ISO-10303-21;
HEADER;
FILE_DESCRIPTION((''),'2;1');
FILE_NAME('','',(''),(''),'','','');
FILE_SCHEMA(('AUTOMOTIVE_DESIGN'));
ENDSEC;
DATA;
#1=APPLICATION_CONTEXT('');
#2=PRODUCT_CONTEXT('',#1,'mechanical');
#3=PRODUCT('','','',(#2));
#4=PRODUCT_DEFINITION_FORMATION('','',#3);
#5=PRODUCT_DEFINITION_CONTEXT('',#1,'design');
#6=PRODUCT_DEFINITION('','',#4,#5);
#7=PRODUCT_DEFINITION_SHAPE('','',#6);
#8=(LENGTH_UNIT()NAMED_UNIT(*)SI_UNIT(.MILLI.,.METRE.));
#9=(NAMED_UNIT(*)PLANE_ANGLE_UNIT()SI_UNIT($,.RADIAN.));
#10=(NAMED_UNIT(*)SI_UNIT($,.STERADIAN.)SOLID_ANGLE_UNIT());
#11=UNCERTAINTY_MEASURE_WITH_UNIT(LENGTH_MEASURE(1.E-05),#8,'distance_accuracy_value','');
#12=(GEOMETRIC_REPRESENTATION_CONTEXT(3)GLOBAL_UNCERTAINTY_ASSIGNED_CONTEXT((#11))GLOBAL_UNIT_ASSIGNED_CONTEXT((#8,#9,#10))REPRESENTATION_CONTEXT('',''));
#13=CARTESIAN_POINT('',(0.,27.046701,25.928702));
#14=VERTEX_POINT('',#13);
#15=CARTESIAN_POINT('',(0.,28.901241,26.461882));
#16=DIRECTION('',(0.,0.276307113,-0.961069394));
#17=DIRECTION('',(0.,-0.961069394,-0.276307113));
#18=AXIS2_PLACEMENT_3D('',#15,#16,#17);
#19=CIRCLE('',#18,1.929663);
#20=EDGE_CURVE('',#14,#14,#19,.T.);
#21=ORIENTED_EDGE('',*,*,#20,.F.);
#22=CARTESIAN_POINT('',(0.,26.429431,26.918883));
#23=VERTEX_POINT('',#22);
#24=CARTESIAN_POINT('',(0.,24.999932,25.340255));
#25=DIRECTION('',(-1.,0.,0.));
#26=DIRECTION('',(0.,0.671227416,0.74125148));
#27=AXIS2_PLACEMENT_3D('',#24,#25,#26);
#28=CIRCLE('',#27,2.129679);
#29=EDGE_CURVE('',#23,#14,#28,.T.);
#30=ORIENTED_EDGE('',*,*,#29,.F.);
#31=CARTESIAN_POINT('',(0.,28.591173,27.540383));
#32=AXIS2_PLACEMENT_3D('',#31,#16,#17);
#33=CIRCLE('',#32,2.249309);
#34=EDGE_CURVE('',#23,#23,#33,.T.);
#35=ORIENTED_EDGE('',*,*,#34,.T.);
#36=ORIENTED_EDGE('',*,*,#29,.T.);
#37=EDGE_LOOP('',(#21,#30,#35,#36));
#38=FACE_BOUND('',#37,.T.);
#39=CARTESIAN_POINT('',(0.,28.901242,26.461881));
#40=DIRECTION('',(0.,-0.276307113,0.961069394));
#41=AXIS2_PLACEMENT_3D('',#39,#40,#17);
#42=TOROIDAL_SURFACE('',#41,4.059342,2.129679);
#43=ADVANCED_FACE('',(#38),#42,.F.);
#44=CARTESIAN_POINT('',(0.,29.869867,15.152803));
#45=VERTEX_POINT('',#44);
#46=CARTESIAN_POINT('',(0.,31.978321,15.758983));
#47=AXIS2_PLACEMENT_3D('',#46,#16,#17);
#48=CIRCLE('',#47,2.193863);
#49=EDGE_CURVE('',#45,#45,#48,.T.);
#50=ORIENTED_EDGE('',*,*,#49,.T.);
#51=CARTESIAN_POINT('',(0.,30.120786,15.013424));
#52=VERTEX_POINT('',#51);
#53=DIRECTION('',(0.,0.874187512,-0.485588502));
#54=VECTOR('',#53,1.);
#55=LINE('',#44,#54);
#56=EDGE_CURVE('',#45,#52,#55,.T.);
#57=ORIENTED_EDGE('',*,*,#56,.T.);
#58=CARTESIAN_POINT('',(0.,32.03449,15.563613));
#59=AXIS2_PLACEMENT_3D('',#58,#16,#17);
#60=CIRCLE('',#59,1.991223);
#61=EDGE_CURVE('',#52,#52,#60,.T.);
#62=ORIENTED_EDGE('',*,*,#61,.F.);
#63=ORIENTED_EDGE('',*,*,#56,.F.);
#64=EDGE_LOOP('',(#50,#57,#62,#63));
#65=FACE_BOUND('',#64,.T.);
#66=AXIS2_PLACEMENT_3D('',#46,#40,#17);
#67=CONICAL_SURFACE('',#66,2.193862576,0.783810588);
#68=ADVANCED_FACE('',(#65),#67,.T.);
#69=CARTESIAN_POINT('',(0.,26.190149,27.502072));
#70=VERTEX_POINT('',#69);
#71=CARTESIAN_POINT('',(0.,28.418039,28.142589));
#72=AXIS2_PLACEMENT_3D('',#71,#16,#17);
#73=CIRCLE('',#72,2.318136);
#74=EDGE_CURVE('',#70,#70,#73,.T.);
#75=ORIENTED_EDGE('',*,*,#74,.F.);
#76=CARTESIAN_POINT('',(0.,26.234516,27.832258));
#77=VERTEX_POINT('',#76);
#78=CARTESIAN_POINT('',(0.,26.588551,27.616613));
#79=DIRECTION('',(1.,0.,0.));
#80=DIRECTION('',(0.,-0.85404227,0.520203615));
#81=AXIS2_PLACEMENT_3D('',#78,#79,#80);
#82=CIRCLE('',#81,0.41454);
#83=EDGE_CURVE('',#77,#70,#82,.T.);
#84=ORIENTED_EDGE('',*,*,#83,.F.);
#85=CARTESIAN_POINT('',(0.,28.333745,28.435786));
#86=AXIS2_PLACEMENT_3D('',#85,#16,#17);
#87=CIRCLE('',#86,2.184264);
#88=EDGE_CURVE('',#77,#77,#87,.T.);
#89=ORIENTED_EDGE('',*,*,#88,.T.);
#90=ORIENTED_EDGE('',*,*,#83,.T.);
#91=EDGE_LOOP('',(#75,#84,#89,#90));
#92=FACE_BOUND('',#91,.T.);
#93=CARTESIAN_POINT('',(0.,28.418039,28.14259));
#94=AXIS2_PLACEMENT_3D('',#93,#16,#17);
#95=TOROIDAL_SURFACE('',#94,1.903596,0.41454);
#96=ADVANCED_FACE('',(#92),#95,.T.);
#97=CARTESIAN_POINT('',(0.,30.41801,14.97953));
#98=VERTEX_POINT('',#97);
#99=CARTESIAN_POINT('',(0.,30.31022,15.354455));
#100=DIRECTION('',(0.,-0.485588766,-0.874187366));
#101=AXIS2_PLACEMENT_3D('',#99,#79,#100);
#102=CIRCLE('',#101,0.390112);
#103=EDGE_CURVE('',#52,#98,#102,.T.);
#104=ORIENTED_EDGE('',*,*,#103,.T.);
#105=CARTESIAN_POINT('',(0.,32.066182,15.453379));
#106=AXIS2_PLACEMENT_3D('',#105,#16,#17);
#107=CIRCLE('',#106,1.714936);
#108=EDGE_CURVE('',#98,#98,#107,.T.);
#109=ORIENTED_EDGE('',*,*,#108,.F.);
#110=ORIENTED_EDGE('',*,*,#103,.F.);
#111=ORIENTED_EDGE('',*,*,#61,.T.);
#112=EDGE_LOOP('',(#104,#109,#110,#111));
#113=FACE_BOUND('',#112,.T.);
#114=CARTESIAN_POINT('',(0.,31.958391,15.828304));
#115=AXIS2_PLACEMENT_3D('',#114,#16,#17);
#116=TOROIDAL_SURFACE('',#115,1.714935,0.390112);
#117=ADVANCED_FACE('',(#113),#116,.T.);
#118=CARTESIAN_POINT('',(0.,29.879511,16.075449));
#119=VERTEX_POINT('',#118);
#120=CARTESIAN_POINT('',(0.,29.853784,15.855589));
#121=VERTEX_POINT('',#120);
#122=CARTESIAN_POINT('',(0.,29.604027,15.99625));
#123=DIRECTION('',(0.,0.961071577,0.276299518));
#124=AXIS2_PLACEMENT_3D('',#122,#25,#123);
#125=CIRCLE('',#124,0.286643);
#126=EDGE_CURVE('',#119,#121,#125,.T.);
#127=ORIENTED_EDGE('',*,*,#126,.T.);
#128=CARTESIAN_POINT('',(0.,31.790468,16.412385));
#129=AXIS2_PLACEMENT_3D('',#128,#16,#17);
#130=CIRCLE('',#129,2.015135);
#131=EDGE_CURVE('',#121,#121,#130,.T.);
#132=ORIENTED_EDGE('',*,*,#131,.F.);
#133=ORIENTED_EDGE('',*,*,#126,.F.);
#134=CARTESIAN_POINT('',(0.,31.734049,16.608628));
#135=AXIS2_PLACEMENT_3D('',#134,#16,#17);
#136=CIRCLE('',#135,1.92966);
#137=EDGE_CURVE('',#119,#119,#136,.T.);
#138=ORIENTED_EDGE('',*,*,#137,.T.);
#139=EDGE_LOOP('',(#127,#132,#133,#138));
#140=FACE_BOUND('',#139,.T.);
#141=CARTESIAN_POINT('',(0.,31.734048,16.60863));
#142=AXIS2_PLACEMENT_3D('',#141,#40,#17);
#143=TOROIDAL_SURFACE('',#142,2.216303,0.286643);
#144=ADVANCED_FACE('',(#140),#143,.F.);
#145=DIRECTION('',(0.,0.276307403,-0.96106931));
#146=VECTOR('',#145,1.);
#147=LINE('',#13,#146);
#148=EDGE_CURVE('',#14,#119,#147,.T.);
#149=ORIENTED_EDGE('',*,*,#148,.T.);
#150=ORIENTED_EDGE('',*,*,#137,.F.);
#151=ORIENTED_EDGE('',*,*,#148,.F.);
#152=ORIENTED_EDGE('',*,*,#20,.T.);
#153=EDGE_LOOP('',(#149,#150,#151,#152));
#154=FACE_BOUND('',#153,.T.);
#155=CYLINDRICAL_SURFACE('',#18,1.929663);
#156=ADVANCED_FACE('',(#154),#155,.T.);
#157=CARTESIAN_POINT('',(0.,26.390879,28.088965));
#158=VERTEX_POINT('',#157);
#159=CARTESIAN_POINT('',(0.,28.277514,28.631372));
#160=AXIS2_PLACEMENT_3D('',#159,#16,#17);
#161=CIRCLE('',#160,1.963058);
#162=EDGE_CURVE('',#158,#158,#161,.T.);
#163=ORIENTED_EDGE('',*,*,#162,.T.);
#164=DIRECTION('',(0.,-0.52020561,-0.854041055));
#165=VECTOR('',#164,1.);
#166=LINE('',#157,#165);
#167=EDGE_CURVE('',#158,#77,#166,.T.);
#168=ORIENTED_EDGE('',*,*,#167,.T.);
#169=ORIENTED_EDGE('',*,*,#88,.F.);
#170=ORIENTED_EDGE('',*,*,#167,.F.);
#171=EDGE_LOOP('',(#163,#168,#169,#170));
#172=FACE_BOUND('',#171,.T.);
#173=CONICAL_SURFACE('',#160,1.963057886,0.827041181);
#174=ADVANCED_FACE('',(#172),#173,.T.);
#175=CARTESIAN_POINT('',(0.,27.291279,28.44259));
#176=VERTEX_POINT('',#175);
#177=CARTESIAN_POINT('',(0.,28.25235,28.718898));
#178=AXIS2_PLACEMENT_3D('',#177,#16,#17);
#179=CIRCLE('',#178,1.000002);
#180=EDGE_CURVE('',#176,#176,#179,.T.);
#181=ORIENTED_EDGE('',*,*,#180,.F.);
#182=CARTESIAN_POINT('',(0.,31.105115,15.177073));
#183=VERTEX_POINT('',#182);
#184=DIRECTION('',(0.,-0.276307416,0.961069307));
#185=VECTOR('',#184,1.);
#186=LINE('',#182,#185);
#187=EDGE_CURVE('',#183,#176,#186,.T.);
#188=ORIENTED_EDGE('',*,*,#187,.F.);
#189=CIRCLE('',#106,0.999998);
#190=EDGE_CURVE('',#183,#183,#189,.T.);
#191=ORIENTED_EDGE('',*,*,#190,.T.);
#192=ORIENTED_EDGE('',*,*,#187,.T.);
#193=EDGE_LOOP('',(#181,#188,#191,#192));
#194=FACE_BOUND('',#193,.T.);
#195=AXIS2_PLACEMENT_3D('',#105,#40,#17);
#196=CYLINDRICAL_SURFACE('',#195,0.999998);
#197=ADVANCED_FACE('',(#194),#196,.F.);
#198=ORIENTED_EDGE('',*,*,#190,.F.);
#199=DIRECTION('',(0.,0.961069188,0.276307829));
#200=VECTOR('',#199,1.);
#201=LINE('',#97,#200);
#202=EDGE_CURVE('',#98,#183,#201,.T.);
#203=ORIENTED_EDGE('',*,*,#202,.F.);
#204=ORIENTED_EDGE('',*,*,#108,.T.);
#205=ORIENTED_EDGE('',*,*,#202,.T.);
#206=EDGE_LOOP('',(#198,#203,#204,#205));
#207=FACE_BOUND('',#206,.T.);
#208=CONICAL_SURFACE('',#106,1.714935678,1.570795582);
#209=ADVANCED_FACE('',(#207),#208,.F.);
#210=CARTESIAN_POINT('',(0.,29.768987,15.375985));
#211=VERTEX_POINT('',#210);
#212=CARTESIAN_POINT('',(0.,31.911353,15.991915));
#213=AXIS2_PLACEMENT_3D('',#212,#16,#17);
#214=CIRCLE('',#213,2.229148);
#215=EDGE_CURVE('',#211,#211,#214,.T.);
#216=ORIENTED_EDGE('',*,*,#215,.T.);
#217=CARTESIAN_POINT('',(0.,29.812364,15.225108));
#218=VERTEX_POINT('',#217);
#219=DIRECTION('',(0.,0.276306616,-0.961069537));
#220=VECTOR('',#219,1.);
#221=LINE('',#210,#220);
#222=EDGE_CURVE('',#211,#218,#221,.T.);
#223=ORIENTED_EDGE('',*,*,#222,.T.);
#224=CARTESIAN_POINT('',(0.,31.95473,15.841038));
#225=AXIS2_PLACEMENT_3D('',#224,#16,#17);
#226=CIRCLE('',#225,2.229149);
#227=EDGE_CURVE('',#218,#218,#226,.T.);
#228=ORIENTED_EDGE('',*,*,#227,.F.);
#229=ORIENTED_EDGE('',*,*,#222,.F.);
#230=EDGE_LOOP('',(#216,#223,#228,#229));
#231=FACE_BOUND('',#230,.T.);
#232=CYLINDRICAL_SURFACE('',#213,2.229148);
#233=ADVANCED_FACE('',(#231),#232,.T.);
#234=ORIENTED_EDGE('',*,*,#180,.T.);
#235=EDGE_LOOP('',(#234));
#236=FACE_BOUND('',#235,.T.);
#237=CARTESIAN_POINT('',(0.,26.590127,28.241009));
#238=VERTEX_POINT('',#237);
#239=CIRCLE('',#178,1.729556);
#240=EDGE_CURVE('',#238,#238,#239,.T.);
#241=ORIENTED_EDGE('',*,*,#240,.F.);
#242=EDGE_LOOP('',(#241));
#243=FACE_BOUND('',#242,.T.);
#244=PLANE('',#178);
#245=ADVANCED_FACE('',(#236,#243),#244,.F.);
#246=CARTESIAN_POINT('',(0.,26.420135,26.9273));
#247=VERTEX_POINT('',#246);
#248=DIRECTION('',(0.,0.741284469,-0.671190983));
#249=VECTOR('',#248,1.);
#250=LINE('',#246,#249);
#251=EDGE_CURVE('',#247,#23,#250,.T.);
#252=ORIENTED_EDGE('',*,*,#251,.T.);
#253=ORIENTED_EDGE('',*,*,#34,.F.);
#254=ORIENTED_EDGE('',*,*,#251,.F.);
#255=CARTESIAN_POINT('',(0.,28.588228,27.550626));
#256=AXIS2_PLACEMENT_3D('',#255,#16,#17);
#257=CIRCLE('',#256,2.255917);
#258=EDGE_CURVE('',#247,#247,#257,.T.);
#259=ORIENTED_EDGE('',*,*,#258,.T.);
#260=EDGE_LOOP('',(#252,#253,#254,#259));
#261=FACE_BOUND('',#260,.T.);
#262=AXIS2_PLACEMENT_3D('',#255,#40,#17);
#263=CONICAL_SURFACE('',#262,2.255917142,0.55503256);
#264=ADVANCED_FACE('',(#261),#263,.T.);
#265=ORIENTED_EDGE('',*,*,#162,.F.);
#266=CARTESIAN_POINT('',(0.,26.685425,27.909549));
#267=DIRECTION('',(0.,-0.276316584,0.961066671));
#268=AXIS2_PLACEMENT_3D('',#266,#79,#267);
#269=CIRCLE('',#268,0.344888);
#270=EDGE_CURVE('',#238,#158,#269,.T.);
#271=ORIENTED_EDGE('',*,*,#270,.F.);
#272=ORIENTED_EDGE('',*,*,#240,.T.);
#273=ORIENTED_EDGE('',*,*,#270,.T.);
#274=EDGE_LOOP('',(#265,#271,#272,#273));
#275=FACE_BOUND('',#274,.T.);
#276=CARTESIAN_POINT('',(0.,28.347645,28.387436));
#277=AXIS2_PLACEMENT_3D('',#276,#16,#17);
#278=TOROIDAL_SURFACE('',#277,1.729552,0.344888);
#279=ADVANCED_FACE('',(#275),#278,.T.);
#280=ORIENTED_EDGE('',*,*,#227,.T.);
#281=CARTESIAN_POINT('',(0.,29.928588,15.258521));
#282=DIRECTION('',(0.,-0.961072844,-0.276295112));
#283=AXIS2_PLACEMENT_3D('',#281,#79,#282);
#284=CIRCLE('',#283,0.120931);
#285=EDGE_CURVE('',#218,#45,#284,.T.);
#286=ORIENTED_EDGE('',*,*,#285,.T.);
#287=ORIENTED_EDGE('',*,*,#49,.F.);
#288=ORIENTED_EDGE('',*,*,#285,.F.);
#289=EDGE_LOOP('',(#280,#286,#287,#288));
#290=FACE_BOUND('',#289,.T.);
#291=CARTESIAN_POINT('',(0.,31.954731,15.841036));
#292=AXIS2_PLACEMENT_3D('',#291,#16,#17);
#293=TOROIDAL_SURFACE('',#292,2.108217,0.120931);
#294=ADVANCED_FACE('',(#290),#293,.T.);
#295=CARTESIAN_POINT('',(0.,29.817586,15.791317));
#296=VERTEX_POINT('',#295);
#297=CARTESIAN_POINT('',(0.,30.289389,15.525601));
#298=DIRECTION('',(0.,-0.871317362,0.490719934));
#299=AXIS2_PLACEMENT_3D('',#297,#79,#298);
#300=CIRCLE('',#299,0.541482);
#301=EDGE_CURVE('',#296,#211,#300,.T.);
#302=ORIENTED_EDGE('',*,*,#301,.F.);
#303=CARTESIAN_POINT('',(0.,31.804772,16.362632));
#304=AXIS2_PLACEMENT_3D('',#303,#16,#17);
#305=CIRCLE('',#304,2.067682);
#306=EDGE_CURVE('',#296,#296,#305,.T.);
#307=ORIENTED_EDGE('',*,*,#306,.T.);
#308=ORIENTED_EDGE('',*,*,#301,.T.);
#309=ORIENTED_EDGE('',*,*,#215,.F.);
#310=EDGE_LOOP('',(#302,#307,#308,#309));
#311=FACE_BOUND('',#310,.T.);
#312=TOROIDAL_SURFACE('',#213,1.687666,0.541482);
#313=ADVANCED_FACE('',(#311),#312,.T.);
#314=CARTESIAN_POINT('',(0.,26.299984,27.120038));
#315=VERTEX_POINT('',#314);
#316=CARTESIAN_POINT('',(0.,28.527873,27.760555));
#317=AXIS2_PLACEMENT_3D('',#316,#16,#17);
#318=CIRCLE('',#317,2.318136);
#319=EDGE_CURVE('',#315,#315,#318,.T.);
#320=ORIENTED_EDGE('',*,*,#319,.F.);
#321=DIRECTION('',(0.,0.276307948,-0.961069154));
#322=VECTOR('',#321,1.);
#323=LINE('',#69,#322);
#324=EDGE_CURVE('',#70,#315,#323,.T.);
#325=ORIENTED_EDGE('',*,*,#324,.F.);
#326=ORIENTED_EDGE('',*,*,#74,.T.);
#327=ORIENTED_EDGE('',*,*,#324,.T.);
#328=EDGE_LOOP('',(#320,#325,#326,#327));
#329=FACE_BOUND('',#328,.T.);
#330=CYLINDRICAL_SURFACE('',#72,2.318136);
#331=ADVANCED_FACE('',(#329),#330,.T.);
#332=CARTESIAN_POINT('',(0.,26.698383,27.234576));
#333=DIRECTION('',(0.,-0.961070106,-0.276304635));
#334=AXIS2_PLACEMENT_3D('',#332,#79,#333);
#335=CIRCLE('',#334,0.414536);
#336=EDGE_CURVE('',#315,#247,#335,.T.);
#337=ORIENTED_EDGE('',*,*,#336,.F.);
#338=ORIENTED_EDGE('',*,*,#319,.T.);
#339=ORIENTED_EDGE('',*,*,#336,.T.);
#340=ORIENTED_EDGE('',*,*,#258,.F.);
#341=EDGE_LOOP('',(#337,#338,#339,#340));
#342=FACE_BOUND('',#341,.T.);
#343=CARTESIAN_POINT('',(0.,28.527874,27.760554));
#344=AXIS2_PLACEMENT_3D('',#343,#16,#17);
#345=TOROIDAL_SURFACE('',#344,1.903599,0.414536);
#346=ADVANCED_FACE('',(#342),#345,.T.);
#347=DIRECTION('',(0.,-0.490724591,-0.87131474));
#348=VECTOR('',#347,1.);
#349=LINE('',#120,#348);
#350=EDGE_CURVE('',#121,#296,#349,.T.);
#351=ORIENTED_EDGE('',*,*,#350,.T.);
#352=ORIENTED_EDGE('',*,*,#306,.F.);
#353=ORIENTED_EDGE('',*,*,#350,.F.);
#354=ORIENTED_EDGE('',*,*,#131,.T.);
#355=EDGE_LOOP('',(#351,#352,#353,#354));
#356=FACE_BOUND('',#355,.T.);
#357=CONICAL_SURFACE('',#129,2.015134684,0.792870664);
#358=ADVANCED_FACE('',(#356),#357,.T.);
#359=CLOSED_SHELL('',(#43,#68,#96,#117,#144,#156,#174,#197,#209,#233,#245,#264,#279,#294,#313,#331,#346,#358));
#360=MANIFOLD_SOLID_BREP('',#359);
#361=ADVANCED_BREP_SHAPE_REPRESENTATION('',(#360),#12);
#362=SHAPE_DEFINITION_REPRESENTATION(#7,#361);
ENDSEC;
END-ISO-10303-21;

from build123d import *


with BuildPart() as f1:
    # F0 (on Right) → F1 (revolve)
    with BuildSketch(Plane.YZ):
        with BuildLine():
            Line((31.105115, 15.177073), (27.291279, 28.44259))
            Line((27.291279, 28.44259), (26.590127, 28.241009))
            ThreePointArc((26.590127, 28.241009), (26.476203, 28.183727), (26.390879, 28.088965))
            Line((26.390879, 28.088965), (26.234516, 27.832258))
            ThreePointArc((26.234516, 27.832258), (26.177703, 27.671818), (26.190149, 27.502072))
            Line((26.190149, 27.502072), (26.299984, 27.120038))
            ThreePointArc((26.299984, 27.120038), (26.346602, 27.01528), (26.420135, 26.9273))
            Line((26.420135, 26.9273), (26.429431, 26.918883))
            ThreePointArc((26.429431, 26.918883), (26.807202, 26.466891), (27.046701, 25.928702))
            Line((27.046701, 25.928702), (29.879511, 16.075449))
            ThreePointArc((29.879511, 16.075449), (29.888727, 15.962935), (29.853784, 15.855589))
            Line((29.853784, 15.855589), (29.817586, 15.791317))
            ThreePointArc((29.817586, 15.791317), (29.751576, 15.588532), (29.768987, 15.375985))
            Line((29.768987, 15.375985), (29.812364, 15.225108))
            ThreePointArc((29.812364, 15.225108), (29.833939, 15.183248), (29.869867, 15.152803))
            Line((29.869867, 15.152803), (30.120786, 15.013424))
            ThreePointArc((30.120786, 15.013424), (30.26602, 14.966855), (30.41801, 14.97953))
            Line((30.41801, 14.97953), (31.105115, 15.177073))
        make_face()
    revolve(axis=Axis((0, 30.159266, 22.086139), (0, 0.276307, -0.961069)))


solid = f1.part
